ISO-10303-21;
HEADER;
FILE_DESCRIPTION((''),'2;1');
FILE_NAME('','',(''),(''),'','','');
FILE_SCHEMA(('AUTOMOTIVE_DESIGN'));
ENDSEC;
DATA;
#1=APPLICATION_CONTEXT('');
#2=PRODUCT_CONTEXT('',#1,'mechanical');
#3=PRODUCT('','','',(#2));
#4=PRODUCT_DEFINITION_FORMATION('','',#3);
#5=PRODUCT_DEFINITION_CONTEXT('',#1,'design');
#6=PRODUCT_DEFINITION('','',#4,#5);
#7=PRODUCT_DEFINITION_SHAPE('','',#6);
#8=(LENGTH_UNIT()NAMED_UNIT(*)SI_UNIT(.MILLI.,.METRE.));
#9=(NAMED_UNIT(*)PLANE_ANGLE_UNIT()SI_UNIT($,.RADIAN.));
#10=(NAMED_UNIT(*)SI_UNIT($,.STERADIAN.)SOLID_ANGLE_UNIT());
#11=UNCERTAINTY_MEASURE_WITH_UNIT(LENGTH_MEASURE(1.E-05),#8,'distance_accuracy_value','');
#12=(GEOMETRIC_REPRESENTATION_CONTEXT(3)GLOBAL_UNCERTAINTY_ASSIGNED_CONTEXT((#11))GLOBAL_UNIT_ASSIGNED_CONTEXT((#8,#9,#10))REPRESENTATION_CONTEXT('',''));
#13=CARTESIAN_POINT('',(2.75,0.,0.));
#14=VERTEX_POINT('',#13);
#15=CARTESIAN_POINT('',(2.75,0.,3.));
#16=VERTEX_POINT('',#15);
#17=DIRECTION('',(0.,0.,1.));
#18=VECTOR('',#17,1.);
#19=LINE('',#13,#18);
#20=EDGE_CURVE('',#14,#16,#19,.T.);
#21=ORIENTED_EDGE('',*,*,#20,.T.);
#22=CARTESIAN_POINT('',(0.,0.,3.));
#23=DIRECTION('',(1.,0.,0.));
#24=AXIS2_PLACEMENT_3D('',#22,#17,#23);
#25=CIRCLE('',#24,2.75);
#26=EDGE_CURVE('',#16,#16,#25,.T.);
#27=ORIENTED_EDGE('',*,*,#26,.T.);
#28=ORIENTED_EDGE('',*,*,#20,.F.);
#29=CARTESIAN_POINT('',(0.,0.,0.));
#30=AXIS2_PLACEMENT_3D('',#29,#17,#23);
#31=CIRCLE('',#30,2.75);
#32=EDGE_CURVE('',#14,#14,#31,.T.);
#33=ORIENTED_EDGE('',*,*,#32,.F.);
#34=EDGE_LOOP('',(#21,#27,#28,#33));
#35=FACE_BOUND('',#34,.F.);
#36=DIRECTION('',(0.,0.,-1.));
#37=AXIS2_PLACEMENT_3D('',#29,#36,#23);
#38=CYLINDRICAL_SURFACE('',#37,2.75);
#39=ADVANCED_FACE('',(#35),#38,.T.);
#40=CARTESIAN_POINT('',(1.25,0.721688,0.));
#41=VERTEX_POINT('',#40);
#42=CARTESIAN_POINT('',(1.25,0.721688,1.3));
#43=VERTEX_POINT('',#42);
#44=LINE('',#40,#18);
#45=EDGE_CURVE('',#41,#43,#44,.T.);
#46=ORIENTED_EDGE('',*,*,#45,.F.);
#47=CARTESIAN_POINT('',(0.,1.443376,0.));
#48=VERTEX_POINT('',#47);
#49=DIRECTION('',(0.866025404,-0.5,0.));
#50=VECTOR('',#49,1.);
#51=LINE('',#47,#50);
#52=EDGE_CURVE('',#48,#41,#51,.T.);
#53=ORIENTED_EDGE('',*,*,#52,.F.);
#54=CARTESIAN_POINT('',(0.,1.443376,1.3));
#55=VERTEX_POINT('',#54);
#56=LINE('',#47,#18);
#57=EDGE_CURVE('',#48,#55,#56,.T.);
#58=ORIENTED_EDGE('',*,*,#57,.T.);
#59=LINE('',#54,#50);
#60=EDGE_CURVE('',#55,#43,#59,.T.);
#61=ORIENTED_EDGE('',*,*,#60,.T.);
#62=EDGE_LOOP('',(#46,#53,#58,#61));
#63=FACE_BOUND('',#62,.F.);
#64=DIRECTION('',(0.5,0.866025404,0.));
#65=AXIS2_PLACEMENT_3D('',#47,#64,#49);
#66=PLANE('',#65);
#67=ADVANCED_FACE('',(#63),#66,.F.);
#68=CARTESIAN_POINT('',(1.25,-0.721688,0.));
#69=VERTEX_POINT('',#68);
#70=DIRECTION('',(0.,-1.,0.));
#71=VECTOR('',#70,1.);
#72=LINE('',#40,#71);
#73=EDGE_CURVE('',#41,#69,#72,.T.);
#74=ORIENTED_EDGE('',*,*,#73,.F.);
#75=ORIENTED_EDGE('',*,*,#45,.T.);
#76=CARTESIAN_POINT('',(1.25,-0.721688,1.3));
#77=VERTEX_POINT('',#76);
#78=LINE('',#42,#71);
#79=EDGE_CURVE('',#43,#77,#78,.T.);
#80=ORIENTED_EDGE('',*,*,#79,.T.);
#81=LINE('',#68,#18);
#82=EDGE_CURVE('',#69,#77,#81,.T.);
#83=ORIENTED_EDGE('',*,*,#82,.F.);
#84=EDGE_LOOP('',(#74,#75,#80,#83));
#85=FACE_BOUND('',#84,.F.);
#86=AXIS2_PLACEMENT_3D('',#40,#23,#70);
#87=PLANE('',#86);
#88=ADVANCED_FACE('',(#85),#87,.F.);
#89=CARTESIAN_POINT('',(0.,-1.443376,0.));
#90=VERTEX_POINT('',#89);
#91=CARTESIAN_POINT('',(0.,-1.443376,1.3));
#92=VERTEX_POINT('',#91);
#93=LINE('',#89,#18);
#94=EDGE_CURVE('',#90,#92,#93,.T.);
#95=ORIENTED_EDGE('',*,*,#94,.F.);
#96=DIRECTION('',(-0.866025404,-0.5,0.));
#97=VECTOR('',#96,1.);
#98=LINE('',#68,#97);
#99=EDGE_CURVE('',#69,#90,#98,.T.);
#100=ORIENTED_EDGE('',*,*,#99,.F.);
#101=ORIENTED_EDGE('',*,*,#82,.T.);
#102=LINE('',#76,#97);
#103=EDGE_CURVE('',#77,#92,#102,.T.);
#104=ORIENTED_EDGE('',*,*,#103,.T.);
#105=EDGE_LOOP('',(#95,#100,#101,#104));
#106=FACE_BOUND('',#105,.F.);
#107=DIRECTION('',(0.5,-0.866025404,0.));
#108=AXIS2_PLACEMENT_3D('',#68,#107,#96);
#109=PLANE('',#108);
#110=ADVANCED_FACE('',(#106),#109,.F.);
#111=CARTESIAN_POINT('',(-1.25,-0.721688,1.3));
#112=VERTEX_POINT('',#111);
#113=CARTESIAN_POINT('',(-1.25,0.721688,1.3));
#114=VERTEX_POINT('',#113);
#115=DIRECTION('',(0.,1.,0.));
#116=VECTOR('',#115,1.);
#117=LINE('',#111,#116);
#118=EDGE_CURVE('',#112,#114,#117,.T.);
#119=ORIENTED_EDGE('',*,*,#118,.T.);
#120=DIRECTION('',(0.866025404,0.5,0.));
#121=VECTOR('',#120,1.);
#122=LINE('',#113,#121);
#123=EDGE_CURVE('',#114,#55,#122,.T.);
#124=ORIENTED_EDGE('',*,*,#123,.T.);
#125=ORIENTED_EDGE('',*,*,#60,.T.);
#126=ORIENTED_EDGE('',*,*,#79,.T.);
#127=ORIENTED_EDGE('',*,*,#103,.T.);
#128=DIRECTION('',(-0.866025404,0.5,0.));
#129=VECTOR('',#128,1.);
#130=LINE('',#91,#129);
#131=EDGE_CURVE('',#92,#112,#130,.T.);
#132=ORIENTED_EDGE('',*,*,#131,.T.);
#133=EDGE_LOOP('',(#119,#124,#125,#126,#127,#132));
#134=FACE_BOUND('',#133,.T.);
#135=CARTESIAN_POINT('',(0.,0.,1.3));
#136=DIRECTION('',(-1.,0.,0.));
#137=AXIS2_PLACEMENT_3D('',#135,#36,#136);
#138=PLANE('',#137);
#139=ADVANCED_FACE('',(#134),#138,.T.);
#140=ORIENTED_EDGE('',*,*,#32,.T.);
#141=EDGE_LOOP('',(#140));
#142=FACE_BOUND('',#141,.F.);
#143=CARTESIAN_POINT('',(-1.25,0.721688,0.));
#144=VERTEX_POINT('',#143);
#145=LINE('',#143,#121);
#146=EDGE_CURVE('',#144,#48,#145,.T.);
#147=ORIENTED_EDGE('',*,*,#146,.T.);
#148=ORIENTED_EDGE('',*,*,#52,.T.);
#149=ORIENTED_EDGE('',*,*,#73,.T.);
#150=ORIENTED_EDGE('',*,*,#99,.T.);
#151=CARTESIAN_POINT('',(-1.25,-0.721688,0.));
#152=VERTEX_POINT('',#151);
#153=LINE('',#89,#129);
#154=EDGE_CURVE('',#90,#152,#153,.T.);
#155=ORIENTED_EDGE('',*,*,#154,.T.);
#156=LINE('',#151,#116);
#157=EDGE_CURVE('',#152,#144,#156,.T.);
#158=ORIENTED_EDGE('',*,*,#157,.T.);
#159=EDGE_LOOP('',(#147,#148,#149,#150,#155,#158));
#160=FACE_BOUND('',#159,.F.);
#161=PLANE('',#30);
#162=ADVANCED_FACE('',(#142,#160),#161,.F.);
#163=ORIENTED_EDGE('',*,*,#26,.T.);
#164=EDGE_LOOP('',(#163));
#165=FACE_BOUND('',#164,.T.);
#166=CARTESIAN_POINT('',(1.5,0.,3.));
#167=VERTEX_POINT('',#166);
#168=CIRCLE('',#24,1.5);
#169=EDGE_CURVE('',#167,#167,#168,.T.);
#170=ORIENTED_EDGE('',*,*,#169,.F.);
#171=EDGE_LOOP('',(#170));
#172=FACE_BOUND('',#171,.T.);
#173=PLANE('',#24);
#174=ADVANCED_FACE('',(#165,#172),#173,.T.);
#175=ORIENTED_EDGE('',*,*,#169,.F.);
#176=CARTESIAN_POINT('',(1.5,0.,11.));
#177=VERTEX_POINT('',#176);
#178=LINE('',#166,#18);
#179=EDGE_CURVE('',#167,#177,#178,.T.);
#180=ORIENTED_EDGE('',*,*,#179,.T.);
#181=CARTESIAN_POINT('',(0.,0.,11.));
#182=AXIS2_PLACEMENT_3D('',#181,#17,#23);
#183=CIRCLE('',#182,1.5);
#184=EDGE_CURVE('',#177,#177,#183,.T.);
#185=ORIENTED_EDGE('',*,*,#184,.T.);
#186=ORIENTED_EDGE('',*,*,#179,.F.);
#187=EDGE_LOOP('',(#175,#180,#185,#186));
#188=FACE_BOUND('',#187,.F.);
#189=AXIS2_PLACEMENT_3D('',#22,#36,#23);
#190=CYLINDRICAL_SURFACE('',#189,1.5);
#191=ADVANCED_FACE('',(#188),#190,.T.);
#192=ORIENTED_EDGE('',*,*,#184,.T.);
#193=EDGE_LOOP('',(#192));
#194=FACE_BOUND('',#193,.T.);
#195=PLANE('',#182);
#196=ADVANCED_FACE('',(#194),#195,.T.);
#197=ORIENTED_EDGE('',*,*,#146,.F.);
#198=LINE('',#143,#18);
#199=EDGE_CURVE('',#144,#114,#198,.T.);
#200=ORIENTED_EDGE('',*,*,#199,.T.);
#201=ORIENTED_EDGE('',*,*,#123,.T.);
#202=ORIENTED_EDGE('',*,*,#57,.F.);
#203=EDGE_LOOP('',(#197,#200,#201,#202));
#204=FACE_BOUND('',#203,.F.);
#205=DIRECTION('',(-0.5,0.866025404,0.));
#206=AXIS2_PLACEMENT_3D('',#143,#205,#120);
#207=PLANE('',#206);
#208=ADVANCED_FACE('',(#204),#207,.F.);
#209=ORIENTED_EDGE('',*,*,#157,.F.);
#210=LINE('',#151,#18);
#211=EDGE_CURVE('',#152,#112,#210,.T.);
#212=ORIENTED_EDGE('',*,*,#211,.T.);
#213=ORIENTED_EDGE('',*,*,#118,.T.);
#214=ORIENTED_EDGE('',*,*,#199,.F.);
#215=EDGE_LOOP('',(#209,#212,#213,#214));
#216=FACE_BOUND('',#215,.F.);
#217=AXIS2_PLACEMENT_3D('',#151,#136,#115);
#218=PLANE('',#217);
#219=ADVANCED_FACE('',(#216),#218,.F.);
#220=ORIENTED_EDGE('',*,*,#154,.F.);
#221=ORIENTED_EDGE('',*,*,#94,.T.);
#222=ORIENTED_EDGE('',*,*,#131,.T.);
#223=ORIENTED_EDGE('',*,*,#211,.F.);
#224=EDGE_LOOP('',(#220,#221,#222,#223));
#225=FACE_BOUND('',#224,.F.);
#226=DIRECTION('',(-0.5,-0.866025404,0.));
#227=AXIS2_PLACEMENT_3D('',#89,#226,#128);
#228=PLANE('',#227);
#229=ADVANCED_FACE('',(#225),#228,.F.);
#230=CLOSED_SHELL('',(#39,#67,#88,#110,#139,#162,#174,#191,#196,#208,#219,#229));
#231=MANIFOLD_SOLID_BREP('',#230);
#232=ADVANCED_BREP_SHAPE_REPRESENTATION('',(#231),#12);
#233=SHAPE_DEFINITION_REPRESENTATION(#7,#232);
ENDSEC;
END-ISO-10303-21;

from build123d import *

# Parameters (mm, degrees)
SKETCH_1_R          = 2.75
EXTRUDE_1_DEPTH     = 3
CUT_EXTRUDE_1_DEPTH = 1.3
SKETCH_3_R          = 1.5
EXTRUDE_2_DEPTH     = 8


with BuildPart() as part:
    # 草图1 → 凸台-拉伸1 (new body)
    with BuildSketch(Plane.XY):
        Circle(SKETCH_1_R)
    extrude(amount=EXTRUDE_1_DEPTH)

    # 草图2 → 切除-拉伸1 (cut)
    with BuildSketch(Plane(origin=(0, 0, 0), x_dir=(-1, 0, 0), z_dir=(0, 0, -1))):
        Polygon((-1.25, 0.721687836), (-1.25, -0.721687836), (0, -1.443375673), (1.25, -0.721687836), (1.25, 0.721687836), (0, 1.443375673), align=None)
    extrude(amount=-CUT_EXTRUDE_1_DEPTH, mode=Mode.SUBTRACT)

    # 草图3 → 凸台-拉伸2 (add)
    with BuildSketch(Plane.XY.offset(3)):
        Circle(SKETCH_3_R)
    extrude(amount=EXTRUDE_2_DEPTH)


solid = part.part
